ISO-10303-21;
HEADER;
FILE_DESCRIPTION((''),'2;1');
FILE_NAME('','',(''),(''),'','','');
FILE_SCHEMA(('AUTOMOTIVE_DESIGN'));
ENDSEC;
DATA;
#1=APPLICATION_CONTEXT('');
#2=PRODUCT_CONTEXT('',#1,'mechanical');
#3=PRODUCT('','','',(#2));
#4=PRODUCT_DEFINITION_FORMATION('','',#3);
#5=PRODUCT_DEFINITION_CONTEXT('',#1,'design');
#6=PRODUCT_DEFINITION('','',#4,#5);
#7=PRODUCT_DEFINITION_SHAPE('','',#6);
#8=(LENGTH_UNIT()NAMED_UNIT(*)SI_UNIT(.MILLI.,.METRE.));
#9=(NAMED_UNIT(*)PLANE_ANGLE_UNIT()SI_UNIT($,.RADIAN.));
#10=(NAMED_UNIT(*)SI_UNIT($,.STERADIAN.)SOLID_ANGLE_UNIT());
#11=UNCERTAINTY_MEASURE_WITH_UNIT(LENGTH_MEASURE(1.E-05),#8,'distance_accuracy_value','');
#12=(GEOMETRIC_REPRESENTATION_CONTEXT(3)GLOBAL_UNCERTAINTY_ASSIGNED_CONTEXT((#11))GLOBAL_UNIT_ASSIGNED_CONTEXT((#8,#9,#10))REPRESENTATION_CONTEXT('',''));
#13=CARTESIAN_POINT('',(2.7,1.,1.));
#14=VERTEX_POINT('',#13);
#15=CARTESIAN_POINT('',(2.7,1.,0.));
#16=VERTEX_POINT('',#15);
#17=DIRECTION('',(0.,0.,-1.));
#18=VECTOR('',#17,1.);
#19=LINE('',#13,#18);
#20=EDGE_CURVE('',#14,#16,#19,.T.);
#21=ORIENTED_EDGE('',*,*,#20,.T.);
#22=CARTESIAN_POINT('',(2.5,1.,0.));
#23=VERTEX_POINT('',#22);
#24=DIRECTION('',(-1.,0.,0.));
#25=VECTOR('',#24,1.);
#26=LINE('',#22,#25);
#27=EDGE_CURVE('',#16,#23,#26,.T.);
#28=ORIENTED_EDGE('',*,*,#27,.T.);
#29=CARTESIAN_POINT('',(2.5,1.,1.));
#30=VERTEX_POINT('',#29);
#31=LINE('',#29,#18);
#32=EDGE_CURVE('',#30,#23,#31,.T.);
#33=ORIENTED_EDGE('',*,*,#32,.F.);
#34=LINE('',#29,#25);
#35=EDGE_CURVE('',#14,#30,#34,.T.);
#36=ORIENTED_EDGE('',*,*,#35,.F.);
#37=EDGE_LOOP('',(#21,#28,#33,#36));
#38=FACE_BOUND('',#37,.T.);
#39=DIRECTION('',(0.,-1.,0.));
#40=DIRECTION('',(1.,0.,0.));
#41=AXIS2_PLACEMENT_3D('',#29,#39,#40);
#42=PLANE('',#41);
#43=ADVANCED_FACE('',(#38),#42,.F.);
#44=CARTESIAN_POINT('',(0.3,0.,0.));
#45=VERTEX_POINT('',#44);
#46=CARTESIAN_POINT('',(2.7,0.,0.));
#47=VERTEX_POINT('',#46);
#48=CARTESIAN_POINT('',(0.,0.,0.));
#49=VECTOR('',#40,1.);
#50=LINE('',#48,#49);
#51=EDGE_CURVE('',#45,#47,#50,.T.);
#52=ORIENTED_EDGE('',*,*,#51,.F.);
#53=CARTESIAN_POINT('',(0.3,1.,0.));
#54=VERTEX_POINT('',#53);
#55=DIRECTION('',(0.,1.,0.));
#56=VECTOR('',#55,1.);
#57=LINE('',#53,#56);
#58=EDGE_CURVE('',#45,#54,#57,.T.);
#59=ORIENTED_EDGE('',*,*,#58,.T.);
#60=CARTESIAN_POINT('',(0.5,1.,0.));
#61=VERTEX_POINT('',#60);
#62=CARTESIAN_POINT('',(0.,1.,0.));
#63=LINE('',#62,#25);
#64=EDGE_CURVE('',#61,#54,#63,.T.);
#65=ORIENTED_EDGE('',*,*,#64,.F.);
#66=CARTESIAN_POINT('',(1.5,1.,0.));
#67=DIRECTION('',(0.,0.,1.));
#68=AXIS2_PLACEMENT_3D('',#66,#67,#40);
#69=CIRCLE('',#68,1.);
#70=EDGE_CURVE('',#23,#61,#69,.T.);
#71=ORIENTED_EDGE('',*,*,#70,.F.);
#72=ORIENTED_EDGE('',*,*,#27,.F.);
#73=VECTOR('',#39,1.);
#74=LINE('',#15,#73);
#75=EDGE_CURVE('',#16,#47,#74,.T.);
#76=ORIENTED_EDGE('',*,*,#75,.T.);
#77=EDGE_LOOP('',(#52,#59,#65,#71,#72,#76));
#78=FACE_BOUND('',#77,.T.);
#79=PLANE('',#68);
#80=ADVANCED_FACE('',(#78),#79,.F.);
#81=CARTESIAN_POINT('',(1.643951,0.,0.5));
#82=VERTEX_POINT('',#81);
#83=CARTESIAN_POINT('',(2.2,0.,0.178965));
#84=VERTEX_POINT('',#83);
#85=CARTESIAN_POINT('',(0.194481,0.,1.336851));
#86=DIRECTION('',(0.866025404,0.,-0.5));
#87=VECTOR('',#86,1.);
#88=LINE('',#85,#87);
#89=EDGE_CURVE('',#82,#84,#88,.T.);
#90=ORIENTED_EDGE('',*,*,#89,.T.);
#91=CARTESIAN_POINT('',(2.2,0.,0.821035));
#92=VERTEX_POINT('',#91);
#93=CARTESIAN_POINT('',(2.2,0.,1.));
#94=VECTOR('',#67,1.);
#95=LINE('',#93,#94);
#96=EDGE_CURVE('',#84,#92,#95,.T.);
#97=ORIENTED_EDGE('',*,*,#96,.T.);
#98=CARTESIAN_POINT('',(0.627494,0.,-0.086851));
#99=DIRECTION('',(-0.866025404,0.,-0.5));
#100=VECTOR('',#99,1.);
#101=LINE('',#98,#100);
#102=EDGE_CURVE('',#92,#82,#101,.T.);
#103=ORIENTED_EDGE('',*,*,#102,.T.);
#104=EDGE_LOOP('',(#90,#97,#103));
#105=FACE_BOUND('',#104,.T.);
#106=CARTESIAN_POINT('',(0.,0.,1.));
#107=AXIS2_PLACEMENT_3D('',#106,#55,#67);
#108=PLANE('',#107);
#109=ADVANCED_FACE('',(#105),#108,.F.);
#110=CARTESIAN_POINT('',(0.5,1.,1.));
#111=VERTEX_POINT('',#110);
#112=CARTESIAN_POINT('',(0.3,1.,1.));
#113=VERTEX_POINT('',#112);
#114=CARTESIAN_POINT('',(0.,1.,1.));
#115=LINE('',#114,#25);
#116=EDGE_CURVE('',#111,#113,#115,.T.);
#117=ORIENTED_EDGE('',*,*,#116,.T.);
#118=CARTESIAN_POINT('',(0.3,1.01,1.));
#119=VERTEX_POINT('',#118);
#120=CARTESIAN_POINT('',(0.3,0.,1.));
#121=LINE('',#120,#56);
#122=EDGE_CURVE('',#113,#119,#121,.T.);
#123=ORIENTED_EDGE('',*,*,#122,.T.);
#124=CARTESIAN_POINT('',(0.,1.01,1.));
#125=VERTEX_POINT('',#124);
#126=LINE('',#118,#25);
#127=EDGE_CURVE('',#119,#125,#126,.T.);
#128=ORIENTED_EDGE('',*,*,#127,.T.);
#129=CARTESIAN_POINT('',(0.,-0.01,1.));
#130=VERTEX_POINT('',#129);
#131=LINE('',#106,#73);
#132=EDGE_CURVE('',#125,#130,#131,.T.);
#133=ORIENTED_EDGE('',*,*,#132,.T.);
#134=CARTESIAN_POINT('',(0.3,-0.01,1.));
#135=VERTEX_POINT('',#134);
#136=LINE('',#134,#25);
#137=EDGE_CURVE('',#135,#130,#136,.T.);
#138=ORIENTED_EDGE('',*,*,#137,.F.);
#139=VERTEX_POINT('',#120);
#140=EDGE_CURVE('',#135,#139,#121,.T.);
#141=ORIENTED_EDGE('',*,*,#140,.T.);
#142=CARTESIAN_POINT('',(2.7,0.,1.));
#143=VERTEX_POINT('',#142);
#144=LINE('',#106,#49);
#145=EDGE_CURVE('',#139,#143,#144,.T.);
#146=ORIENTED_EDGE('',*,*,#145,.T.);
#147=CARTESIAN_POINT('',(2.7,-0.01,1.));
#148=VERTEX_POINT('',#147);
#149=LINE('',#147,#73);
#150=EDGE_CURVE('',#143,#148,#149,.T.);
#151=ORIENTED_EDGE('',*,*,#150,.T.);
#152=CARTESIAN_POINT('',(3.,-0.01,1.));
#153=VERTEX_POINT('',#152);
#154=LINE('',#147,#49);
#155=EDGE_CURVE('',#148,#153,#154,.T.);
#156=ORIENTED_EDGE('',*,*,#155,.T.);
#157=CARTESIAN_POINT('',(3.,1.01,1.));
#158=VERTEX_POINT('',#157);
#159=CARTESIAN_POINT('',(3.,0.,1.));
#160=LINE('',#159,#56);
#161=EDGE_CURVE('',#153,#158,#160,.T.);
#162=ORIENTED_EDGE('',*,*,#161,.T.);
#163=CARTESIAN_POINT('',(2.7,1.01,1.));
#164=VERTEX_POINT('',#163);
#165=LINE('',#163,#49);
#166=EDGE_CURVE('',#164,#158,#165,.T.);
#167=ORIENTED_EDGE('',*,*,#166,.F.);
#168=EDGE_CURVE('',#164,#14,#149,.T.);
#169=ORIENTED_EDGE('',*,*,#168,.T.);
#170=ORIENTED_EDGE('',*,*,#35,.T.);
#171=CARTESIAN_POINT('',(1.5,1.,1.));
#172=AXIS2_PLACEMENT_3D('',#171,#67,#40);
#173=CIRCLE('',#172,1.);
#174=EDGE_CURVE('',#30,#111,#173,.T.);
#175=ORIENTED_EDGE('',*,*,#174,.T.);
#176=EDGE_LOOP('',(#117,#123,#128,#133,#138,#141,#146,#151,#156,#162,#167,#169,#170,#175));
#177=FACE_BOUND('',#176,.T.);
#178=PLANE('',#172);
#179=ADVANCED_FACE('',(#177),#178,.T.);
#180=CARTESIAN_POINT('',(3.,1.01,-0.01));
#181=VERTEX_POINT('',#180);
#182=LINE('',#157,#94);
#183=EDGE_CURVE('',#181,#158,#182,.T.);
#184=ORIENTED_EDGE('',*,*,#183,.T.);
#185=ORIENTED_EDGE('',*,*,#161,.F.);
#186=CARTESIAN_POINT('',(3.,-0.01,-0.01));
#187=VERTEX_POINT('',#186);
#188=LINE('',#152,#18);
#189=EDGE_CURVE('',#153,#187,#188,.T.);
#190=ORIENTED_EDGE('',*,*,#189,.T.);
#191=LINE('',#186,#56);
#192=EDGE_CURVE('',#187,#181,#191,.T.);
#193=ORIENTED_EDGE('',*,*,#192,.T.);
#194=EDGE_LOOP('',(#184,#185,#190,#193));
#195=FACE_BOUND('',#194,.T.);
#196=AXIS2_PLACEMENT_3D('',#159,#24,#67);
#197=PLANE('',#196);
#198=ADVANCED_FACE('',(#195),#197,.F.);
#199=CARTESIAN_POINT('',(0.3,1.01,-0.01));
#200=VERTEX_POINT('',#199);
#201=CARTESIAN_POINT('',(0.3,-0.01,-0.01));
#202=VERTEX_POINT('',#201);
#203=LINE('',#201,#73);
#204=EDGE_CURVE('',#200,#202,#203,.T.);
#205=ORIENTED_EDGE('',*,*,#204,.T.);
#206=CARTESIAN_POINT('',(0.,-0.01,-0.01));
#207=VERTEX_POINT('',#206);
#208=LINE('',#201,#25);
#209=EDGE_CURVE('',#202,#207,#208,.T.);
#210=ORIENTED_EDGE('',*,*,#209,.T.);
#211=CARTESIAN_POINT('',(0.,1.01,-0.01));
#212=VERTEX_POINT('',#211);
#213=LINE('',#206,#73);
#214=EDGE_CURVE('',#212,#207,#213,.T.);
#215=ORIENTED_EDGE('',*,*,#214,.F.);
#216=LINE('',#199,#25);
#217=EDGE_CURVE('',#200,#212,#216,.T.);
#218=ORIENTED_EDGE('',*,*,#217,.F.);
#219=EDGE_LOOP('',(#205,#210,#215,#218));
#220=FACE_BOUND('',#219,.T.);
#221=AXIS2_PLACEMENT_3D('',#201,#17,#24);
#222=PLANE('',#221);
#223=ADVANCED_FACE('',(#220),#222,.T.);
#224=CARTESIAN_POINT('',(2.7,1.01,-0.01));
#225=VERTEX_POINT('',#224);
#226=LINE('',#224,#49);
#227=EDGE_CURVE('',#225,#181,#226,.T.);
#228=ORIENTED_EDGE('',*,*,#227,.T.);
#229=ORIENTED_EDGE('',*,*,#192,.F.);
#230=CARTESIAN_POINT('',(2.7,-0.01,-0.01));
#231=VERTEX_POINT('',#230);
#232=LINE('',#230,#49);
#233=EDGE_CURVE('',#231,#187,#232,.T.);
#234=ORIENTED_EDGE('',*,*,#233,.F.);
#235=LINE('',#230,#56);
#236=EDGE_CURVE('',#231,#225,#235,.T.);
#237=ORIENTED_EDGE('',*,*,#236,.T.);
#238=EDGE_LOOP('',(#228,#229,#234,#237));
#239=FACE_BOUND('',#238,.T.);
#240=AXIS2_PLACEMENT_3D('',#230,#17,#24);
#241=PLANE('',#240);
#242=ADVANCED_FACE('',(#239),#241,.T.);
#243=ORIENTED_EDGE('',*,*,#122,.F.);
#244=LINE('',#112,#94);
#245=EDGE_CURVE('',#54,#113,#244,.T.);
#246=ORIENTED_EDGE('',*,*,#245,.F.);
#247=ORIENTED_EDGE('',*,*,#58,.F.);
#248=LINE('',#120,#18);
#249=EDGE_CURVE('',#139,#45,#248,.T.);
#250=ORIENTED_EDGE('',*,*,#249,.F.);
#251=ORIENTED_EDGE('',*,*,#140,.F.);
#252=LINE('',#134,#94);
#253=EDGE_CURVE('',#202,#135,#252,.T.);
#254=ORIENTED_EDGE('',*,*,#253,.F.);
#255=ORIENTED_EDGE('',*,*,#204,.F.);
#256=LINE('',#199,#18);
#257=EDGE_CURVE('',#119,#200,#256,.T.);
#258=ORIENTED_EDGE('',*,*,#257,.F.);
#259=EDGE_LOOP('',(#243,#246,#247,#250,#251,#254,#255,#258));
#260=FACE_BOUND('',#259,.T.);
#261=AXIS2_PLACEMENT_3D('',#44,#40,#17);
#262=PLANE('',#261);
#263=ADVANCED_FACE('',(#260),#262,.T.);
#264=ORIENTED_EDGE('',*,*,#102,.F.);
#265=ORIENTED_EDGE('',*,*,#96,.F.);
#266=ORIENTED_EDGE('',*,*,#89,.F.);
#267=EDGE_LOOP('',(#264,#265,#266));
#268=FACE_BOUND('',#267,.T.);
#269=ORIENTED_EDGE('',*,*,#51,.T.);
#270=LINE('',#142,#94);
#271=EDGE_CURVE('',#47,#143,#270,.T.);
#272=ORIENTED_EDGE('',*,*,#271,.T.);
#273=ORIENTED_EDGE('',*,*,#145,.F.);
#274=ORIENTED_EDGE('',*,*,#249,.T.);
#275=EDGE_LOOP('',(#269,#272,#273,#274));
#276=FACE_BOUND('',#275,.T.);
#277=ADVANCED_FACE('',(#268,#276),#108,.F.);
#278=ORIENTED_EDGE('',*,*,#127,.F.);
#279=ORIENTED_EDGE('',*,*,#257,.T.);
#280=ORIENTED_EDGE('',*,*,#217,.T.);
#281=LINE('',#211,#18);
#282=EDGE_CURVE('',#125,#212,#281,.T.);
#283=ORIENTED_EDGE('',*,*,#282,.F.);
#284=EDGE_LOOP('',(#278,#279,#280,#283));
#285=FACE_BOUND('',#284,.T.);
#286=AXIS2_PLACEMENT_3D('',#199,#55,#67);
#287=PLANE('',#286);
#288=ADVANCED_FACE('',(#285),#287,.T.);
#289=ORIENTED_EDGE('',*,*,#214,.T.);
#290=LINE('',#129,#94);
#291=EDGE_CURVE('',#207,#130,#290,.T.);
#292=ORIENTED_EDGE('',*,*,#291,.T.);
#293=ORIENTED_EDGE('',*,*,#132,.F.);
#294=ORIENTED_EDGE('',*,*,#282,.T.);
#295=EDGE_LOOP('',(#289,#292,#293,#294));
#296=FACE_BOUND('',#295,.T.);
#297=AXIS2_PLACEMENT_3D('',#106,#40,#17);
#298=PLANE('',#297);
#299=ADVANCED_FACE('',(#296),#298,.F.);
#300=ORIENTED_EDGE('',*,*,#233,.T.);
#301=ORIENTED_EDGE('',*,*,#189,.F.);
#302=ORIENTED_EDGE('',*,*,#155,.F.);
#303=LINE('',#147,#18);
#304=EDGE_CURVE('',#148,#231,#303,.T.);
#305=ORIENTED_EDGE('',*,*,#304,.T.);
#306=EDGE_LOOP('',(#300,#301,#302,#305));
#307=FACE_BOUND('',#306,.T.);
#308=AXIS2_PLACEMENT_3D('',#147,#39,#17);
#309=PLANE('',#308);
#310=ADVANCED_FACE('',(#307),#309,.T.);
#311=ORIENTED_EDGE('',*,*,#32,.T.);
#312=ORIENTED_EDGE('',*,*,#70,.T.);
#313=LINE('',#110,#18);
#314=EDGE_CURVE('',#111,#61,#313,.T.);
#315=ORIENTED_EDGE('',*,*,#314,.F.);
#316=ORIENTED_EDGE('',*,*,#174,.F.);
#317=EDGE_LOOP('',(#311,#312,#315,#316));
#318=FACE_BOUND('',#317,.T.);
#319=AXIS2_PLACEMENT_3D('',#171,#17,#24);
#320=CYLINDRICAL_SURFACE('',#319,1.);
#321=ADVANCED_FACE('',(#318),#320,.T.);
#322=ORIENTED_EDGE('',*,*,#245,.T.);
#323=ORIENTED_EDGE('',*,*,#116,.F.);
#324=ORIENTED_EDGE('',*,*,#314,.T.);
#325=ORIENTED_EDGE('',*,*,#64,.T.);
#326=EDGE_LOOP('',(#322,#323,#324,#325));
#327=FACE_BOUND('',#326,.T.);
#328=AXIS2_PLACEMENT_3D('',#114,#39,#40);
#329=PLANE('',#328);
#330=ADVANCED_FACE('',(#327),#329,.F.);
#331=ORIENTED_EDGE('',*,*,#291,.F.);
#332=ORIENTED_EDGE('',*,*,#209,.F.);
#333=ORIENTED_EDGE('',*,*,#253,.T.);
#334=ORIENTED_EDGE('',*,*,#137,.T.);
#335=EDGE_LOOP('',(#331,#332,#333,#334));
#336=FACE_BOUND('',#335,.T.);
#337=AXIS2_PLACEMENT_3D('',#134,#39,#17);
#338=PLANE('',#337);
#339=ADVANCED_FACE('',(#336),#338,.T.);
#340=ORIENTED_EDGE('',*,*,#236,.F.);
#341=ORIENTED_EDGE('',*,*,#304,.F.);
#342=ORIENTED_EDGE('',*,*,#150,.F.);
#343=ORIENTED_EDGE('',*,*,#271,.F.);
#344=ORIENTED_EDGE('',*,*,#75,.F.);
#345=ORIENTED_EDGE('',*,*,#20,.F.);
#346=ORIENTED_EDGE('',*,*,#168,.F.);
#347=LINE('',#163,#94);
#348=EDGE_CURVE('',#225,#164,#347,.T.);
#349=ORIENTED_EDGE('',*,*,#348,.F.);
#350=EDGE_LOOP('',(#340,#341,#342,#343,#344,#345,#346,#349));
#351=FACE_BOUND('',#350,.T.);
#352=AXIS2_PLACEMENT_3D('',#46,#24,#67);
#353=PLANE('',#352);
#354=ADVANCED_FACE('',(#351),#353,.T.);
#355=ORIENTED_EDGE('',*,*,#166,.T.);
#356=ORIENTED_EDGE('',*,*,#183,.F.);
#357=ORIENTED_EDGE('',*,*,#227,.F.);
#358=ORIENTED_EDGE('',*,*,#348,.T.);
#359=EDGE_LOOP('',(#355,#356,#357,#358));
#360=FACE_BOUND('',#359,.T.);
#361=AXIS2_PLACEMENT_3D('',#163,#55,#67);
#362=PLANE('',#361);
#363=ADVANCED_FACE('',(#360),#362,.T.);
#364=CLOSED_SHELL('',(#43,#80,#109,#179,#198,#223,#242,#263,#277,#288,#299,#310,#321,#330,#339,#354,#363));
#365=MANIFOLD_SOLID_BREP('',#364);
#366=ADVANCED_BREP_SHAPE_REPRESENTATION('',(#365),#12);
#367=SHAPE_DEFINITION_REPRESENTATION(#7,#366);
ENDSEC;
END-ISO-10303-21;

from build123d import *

# Parameters (mm, degrees)
EXTRUDE_1_DEPTH = 1
SKETCH_3_W      = 1.01
SKETCH_3_H      = 1.02
EXTRUDE_2_DEPTH = 0.3
EXTRUDE_3_DEPTH = 0.3


with BuildPart() as part:
    # 草图1 → 凸台-拉伸1 (new body)
    with BuildSketch(Plane.XY):
        with BuildLine():
            Line((2.5, 1), (3, 1))
            Line((3, 1), (3, 0))
            Line((3, 0), (0, 0))
            Line((0, 0), (0, 1))
            Line((0, 1), (0.5, 1))
            ThreePointArc((0.5, 1), (1.5, 2), (2.5, 1))
        make_face()
    extrude(amount=EXTRUDE_1_DEPTH)

    # 草图3 → 凸台-拉伸2 (add)
    with BuildSketch(Plane(origin=(3, 0, 0), x_dir=(0, 0, -1), z_dir=(1, 0, 0))):
        with Locations((-0.495, 0.5)):
            Rectangle(SKETCH_3_W, SKETCH_3_H)
    extrude(amount=-EXTRUDE_2_DEPTH)

    # 草图4 → 凸台-拉伸3 (add)
    with BuildSketch(Plane.ZY):
        Polygon((-0.01, -0.01), (-0.01, 1.01), (1, 1.01), (1, 0), (1, -0.01), align=None)
    extrude(amount=-EXTRUDE_3_DEPTH)


solid = part.part
